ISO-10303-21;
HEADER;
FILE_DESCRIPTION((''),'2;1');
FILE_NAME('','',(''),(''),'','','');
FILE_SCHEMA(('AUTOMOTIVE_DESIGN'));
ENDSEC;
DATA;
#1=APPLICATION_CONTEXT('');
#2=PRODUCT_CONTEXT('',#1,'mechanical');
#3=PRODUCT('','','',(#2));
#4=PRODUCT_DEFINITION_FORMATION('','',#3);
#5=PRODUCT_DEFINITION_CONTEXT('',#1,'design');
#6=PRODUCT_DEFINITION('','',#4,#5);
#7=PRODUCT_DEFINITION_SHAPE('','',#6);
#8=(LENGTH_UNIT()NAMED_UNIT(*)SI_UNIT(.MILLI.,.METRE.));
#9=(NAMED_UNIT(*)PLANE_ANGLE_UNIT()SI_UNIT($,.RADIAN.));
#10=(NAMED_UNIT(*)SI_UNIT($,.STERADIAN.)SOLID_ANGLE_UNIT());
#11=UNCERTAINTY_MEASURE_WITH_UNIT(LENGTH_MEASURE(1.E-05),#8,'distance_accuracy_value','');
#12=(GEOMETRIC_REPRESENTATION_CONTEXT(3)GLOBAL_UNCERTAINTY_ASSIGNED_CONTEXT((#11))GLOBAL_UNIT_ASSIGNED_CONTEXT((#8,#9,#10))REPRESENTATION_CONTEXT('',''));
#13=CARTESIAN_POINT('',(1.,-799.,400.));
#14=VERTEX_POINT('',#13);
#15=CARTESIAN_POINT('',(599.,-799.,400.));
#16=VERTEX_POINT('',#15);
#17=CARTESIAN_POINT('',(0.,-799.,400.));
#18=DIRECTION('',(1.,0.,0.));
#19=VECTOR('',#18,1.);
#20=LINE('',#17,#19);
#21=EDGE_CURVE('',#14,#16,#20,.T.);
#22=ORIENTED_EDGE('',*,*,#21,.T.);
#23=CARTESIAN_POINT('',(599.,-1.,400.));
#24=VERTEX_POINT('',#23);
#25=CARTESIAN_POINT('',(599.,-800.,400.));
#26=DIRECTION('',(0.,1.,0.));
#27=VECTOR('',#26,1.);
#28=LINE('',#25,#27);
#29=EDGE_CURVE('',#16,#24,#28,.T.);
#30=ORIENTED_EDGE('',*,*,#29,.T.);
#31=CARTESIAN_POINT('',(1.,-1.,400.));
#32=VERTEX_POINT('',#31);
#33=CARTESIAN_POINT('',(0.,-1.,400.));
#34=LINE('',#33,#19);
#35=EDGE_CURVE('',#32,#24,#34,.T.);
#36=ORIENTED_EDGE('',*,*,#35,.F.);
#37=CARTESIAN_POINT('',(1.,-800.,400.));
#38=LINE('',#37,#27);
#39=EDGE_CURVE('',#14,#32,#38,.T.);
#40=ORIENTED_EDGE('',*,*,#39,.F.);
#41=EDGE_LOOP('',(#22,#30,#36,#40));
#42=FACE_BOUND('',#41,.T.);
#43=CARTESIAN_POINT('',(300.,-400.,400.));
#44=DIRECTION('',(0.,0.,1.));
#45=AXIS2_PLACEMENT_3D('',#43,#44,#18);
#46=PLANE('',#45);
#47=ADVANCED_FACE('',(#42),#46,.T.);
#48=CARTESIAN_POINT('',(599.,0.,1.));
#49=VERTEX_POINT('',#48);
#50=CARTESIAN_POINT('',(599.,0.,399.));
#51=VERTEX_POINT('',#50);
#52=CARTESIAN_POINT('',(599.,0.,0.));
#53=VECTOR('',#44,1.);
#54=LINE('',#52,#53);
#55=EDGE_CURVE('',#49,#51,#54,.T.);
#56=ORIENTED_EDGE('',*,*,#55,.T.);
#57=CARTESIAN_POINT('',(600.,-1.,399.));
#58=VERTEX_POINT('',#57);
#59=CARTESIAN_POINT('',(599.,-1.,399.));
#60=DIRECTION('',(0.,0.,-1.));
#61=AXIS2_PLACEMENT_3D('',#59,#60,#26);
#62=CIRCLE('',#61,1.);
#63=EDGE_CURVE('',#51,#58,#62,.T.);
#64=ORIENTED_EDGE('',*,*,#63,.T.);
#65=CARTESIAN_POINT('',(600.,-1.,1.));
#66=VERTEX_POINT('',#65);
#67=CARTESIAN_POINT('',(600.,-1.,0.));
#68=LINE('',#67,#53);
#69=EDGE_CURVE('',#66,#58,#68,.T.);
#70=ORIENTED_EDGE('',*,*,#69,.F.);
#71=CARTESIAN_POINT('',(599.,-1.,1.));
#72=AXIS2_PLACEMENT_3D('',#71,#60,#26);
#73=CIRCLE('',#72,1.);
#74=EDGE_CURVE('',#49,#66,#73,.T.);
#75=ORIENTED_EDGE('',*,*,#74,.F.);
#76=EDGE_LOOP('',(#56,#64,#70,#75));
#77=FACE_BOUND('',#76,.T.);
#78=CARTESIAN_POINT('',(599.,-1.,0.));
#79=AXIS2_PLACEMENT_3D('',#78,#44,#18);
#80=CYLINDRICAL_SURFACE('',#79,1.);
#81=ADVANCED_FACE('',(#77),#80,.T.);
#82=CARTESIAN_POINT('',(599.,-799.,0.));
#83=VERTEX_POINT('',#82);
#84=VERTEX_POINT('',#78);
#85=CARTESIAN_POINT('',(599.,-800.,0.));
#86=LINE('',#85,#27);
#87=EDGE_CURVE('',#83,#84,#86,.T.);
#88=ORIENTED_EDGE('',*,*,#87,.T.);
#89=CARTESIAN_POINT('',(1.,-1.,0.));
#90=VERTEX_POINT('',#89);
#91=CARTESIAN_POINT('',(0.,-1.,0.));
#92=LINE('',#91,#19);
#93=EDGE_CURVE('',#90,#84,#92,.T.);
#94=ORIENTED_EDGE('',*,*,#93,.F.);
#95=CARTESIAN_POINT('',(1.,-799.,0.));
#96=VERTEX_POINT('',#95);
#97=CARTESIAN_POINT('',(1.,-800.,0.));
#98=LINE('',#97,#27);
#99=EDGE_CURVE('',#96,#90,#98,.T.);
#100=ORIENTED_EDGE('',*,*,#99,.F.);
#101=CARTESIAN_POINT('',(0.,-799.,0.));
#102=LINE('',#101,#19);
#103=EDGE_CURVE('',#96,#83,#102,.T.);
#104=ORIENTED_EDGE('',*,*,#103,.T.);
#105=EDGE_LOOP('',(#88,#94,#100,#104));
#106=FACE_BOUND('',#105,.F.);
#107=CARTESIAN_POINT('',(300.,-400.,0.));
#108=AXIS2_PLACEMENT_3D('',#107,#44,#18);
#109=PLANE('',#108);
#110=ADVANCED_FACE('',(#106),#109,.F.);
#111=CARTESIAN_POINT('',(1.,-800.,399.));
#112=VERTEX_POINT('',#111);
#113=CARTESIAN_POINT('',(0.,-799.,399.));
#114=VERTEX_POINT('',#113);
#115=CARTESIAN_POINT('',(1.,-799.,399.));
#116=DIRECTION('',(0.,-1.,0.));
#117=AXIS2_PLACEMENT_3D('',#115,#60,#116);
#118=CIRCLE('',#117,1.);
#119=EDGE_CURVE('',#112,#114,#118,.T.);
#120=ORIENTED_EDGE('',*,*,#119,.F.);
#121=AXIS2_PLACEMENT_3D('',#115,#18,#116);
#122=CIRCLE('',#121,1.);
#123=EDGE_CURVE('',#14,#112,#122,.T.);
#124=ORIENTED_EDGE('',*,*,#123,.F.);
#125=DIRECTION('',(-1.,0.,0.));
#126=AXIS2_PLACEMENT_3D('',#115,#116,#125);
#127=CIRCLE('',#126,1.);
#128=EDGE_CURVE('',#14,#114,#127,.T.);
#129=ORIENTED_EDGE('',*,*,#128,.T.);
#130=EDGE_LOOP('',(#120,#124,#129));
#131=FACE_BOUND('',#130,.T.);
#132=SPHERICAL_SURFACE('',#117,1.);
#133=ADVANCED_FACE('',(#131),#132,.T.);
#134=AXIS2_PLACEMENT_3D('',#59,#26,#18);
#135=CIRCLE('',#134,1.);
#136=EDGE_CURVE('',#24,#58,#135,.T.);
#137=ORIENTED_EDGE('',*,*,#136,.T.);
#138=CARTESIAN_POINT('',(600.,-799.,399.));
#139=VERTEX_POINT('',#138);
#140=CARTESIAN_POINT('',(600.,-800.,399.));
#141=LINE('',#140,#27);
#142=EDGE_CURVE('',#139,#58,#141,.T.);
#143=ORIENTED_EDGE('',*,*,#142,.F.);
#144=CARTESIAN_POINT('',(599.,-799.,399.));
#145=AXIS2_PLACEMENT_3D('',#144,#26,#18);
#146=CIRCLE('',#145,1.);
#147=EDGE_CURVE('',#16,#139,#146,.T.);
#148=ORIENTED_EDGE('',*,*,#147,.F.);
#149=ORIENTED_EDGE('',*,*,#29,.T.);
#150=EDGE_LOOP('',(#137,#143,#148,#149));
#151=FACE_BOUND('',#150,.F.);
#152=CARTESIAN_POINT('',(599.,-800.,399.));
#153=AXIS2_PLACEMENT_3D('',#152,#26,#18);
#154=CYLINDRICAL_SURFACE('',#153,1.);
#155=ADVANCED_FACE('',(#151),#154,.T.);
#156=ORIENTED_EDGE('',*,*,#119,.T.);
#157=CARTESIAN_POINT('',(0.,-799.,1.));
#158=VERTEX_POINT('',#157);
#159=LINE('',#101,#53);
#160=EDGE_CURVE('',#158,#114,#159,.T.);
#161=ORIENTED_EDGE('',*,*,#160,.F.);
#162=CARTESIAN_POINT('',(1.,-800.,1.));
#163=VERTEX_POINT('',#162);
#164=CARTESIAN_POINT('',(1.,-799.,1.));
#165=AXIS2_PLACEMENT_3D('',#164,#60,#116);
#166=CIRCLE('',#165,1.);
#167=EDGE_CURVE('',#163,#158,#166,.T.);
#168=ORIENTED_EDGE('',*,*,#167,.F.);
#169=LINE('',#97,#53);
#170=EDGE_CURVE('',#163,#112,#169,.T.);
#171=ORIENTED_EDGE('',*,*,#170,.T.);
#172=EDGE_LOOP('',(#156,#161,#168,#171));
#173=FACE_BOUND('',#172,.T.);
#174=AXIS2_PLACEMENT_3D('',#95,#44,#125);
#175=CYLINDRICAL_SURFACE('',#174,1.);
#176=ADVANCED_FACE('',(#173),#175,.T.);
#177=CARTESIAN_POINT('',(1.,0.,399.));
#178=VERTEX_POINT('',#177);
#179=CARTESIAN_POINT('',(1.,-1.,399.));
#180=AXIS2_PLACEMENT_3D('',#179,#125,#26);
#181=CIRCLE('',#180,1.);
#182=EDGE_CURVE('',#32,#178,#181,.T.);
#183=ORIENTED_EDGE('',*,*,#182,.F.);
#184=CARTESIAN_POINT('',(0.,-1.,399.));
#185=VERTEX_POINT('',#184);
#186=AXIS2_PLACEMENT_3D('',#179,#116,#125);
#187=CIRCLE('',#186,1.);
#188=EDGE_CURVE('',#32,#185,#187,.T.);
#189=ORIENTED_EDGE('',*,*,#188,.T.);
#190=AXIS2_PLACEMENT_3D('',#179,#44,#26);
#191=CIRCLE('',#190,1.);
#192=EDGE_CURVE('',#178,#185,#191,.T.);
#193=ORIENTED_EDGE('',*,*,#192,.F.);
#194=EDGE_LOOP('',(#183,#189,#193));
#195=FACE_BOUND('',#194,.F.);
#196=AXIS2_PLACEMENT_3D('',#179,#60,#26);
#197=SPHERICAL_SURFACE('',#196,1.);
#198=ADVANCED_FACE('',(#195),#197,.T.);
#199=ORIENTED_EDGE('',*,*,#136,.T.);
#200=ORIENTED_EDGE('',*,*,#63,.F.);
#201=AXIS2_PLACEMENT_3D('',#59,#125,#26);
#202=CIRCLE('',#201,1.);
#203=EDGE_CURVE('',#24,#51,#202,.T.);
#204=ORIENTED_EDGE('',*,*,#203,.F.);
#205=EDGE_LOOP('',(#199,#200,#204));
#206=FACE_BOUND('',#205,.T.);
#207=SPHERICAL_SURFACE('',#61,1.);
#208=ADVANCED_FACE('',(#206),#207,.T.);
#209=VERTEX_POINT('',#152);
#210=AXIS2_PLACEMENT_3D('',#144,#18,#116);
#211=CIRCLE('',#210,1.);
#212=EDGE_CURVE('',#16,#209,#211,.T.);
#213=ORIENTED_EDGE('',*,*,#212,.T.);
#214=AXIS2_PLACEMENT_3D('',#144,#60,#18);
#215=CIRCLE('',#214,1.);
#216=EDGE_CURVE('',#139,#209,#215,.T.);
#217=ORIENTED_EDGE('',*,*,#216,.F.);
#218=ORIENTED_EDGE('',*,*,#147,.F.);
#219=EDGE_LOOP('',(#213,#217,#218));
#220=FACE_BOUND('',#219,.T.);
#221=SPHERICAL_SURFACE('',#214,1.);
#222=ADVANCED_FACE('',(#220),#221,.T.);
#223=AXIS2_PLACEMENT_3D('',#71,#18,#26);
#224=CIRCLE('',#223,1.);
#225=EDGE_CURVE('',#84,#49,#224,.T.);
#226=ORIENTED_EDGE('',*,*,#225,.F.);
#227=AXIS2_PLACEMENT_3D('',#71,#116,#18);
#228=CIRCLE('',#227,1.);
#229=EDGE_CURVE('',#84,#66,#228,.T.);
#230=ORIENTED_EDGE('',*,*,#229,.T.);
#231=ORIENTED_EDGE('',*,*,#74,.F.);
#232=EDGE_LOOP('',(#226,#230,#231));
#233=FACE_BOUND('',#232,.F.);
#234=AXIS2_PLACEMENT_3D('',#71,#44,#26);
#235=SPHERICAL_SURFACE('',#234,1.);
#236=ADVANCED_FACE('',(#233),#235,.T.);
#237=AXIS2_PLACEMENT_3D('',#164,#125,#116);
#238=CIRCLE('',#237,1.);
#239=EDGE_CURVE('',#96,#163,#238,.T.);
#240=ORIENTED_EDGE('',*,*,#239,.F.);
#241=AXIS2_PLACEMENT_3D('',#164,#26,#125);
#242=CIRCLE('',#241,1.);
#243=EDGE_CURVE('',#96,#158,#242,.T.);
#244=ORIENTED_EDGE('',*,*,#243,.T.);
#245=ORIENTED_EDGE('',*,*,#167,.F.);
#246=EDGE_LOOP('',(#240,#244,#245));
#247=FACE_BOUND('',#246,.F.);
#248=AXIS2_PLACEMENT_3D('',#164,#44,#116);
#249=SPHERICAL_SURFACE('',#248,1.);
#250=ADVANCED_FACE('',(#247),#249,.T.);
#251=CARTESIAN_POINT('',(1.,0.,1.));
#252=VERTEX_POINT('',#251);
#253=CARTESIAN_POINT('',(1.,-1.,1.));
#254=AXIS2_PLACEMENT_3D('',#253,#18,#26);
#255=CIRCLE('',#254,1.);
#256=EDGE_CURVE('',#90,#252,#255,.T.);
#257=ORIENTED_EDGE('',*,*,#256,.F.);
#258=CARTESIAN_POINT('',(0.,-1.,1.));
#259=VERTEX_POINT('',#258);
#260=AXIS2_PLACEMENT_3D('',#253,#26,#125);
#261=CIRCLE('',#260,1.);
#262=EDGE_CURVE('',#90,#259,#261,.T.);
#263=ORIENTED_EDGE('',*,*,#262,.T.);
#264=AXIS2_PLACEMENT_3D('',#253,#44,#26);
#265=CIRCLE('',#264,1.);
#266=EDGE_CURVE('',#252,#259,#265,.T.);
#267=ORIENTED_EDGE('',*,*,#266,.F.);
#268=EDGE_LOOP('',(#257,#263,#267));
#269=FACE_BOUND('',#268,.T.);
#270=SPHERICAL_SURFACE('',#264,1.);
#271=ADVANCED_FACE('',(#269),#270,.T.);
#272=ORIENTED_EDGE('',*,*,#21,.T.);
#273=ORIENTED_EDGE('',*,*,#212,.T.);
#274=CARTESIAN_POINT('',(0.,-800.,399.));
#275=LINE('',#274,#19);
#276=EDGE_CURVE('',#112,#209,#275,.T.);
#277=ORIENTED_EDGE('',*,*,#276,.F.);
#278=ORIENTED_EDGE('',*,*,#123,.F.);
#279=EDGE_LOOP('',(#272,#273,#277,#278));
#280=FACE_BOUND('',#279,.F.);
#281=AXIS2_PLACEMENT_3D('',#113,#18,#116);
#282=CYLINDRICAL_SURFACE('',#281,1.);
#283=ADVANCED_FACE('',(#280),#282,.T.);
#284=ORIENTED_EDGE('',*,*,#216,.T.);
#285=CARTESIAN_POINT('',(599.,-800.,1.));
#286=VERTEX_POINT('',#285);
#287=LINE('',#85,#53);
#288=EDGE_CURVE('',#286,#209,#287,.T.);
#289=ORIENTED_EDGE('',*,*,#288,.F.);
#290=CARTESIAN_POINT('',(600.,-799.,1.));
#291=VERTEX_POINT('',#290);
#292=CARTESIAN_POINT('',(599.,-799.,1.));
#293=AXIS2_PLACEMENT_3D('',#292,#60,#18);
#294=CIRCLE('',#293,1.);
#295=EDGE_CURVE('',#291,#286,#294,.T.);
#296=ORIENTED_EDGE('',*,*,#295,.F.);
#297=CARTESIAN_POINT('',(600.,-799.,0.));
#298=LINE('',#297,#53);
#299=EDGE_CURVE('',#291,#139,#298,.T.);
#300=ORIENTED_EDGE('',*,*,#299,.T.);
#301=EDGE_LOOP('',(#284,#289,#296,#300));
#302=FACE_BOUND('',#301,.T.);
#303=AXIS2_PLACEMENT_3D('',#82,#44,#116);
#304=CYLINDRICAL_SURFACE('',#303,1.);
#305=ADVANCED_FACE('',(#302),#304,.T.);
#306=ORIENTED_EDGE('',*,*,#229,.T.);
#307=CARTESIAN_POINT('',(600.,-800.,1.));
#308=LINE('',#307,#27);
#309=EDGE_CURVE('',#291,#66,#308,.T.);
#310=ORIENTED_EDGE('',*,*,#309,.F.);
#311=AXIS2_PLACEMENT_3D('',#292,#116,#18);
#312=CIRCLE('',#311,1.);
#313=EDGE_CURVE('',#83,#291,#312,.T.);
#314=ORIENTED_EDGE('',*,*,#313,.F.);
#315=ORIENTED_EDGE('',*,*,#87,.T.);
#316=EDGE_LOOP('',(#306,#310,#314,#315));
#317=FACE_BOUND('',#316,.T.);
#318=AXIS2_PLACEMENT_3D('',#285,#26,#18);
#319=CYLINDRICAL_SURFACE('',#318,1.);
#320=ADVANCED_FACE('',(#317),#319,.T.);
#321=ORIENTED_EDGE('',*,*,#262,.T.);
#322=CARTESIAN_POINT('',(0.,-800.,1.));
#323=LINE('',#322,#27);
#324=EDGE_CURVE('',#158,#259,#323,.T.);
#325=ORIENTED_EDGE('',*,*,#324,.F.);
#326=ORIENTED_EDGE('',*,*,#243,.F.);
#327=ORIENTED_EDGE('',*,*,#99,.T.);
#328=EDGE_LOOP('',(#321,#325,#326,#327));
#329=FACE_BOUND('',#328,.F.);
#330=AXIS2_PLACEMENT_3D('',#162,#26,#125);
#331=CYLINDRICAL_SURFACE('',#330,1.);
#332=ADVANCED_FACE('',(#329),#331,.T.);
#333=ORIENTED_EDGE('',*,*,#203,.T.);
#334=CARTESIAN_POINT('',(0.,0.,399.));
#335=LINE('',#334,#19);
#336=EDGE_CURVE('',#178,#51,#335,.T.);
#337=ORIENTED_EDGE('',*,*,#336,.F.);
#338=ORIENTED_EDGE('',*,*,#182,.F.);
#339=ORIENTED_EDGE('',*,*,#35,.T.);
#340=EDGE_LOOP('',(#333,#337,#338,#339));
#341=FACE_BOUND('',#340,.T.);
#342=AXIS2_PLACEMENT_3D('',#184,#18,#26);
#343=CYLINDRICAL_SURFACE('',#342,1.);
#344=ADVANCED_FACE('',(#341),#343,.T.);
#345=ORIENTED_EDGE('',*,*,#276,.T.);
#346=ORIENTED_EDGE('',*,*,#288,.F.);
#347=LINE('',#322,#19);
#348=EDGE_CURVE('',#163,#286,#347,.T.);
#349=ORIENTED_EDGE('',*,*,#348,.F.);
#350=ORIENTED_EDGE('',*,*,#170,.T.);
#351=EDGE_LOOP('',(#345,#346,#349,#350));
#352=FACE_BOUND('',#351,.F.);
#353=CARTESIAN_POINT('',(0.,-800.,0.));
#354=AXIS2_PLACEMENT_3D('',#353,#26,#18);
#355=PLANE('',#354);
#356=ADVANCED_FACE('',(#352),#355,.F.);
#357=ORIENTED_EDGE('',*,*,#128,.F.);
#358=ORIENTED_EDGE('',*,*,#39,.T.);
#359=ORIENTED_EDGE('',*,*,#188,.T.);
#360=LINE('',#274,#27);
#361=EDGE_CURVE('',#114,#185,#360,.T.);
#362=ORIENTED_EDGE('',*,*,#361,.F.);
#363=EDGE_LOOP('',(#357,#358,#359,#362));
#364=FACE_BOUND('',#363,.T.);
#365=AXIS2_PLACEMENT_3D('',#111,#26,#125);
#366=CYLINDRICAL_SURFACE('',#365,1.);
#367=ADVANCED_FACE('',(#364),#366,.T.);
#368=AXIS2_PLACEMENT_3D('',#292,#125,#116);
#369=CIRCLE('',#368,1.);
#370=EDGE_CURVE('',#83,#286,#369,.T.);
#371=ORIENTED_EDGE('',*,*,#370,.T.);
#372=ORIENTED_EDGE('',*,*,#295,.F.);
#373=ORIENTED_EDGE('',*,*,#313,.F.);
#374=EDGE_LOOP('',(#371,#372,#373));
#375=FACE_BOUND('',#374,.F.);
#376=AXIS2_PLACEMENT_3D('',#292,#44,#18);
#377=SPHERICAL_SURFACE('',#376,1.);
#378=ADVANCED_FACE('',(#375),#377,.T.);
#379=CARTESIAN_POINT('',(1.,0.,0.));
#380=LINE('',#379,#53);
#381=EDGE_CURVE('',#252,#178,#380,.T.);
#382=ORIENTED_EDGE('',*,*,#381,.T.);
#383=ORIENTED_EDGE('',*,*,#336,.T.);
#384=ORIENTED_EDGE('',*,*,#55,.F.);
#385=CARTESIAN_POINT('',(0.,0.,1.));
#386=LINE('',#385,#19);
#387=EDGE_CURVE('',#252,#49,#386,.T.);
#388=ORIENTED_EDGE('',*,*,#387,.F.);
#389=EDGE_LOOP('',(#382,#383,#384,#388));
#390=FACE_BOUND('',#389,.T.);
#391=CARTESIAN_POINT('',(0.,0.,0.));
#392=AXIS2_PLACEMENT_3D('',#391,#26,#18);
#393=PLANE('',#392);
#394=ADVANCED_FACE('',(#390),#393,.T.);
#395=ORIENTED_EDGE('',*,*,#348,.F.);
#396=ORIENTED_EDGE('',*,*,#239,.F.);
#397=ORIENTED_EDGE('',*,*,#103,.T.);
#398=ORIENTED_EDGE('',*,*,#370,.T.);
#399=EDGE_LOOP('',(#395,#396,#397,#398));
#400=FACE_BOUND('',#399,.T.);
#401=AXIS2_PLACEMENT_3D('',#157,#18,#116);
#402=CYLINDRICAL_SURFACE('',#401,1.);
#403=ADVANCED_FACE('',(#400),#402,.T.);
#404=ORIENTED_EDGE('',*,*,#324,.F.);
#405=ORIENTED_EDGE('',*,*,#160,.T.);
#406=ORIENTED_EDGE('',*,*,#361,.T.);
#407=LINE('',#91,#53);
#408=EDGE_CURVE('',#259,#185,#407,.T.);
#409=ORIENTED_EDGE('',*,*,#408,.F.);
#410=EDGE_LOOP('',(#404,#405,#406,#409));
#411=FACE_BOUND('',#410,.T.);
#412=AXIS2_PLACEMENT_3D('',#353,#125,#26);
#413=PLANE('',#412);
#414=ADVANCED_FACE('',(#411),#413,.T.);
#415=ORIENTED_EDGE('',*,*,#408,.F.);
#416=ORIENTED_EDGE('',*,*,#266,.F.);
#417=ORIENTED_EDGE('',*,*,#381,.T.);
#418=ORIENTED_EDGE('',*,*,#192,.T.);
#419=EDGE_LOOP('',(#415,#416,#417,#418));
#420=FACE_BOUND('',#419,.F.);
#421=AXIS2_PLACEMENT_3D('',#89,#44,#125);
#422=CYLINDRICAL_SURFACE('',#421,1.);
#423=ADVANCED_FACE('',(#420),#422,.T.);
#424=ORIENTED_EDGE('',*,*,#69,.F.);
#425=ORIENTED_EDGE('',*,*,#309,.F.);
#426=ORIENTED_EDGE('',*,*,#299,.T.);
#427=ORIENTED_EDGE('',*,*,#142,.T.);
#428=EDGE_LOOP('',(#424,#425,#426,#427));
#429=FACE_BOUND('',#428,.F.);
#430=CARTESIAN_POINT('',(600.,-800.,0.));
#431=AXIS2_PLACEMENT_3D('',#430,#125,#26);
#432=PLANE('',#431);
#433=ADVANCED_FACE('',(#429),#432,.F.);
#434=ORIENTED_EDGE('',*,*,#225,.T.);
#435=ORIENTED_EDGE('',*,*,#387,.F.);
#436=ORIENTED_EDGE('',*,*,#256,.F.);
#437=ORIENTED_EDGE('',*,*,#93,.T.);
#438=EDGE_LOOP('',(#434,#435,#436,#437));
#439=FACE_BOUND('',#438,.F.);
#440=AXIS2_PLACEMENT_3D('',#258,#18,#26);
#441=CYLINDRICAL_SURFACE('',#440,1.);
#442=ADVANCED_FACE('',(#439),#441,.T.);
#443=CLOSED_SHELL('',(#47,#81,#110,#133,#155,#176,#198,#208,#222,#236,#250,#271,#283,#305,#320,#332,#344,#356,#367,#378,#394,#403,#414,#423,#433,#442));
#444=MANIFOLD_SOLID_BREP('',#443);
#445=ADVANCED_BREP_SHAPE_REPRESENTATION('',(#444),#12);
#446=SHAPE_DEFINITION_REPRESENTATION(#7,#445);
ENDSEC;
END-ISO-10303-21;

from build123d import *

# Parameters (mm, degrees)
SKETCH_W  = 600
SKETCH_H  = 800
PAD_DEPTH = 400
FILLET_R  = 1


with BuildPart() as part:
    # Sketch → Pad (new body)
    with BuildSketch(Plane.XY):
        with Locations((300, -400)):
            Rectangle(SKETCH_W, SKETCH_H)
    extrude(amount=PAD_DEPTH)

    # Fillet
    fillet_edges = [part.edges().sort_by_distance(p)[0] for p in [
        (0, 0, 200),
        (600, 0, 200),
        (300, 0, 0),
        (300, 0, 400),
        (600, -800, 200),
        (600, -400, 0),
        (600, -400, 400),
        (0, -800, 200),
        (300, -800, 0),
        (300, -800, 400),
        (0, -400, 0),
        (0, -400, 400),
    ]]
    fillet(fillet_edges, radius=FILLET_R)


solid = part.part
